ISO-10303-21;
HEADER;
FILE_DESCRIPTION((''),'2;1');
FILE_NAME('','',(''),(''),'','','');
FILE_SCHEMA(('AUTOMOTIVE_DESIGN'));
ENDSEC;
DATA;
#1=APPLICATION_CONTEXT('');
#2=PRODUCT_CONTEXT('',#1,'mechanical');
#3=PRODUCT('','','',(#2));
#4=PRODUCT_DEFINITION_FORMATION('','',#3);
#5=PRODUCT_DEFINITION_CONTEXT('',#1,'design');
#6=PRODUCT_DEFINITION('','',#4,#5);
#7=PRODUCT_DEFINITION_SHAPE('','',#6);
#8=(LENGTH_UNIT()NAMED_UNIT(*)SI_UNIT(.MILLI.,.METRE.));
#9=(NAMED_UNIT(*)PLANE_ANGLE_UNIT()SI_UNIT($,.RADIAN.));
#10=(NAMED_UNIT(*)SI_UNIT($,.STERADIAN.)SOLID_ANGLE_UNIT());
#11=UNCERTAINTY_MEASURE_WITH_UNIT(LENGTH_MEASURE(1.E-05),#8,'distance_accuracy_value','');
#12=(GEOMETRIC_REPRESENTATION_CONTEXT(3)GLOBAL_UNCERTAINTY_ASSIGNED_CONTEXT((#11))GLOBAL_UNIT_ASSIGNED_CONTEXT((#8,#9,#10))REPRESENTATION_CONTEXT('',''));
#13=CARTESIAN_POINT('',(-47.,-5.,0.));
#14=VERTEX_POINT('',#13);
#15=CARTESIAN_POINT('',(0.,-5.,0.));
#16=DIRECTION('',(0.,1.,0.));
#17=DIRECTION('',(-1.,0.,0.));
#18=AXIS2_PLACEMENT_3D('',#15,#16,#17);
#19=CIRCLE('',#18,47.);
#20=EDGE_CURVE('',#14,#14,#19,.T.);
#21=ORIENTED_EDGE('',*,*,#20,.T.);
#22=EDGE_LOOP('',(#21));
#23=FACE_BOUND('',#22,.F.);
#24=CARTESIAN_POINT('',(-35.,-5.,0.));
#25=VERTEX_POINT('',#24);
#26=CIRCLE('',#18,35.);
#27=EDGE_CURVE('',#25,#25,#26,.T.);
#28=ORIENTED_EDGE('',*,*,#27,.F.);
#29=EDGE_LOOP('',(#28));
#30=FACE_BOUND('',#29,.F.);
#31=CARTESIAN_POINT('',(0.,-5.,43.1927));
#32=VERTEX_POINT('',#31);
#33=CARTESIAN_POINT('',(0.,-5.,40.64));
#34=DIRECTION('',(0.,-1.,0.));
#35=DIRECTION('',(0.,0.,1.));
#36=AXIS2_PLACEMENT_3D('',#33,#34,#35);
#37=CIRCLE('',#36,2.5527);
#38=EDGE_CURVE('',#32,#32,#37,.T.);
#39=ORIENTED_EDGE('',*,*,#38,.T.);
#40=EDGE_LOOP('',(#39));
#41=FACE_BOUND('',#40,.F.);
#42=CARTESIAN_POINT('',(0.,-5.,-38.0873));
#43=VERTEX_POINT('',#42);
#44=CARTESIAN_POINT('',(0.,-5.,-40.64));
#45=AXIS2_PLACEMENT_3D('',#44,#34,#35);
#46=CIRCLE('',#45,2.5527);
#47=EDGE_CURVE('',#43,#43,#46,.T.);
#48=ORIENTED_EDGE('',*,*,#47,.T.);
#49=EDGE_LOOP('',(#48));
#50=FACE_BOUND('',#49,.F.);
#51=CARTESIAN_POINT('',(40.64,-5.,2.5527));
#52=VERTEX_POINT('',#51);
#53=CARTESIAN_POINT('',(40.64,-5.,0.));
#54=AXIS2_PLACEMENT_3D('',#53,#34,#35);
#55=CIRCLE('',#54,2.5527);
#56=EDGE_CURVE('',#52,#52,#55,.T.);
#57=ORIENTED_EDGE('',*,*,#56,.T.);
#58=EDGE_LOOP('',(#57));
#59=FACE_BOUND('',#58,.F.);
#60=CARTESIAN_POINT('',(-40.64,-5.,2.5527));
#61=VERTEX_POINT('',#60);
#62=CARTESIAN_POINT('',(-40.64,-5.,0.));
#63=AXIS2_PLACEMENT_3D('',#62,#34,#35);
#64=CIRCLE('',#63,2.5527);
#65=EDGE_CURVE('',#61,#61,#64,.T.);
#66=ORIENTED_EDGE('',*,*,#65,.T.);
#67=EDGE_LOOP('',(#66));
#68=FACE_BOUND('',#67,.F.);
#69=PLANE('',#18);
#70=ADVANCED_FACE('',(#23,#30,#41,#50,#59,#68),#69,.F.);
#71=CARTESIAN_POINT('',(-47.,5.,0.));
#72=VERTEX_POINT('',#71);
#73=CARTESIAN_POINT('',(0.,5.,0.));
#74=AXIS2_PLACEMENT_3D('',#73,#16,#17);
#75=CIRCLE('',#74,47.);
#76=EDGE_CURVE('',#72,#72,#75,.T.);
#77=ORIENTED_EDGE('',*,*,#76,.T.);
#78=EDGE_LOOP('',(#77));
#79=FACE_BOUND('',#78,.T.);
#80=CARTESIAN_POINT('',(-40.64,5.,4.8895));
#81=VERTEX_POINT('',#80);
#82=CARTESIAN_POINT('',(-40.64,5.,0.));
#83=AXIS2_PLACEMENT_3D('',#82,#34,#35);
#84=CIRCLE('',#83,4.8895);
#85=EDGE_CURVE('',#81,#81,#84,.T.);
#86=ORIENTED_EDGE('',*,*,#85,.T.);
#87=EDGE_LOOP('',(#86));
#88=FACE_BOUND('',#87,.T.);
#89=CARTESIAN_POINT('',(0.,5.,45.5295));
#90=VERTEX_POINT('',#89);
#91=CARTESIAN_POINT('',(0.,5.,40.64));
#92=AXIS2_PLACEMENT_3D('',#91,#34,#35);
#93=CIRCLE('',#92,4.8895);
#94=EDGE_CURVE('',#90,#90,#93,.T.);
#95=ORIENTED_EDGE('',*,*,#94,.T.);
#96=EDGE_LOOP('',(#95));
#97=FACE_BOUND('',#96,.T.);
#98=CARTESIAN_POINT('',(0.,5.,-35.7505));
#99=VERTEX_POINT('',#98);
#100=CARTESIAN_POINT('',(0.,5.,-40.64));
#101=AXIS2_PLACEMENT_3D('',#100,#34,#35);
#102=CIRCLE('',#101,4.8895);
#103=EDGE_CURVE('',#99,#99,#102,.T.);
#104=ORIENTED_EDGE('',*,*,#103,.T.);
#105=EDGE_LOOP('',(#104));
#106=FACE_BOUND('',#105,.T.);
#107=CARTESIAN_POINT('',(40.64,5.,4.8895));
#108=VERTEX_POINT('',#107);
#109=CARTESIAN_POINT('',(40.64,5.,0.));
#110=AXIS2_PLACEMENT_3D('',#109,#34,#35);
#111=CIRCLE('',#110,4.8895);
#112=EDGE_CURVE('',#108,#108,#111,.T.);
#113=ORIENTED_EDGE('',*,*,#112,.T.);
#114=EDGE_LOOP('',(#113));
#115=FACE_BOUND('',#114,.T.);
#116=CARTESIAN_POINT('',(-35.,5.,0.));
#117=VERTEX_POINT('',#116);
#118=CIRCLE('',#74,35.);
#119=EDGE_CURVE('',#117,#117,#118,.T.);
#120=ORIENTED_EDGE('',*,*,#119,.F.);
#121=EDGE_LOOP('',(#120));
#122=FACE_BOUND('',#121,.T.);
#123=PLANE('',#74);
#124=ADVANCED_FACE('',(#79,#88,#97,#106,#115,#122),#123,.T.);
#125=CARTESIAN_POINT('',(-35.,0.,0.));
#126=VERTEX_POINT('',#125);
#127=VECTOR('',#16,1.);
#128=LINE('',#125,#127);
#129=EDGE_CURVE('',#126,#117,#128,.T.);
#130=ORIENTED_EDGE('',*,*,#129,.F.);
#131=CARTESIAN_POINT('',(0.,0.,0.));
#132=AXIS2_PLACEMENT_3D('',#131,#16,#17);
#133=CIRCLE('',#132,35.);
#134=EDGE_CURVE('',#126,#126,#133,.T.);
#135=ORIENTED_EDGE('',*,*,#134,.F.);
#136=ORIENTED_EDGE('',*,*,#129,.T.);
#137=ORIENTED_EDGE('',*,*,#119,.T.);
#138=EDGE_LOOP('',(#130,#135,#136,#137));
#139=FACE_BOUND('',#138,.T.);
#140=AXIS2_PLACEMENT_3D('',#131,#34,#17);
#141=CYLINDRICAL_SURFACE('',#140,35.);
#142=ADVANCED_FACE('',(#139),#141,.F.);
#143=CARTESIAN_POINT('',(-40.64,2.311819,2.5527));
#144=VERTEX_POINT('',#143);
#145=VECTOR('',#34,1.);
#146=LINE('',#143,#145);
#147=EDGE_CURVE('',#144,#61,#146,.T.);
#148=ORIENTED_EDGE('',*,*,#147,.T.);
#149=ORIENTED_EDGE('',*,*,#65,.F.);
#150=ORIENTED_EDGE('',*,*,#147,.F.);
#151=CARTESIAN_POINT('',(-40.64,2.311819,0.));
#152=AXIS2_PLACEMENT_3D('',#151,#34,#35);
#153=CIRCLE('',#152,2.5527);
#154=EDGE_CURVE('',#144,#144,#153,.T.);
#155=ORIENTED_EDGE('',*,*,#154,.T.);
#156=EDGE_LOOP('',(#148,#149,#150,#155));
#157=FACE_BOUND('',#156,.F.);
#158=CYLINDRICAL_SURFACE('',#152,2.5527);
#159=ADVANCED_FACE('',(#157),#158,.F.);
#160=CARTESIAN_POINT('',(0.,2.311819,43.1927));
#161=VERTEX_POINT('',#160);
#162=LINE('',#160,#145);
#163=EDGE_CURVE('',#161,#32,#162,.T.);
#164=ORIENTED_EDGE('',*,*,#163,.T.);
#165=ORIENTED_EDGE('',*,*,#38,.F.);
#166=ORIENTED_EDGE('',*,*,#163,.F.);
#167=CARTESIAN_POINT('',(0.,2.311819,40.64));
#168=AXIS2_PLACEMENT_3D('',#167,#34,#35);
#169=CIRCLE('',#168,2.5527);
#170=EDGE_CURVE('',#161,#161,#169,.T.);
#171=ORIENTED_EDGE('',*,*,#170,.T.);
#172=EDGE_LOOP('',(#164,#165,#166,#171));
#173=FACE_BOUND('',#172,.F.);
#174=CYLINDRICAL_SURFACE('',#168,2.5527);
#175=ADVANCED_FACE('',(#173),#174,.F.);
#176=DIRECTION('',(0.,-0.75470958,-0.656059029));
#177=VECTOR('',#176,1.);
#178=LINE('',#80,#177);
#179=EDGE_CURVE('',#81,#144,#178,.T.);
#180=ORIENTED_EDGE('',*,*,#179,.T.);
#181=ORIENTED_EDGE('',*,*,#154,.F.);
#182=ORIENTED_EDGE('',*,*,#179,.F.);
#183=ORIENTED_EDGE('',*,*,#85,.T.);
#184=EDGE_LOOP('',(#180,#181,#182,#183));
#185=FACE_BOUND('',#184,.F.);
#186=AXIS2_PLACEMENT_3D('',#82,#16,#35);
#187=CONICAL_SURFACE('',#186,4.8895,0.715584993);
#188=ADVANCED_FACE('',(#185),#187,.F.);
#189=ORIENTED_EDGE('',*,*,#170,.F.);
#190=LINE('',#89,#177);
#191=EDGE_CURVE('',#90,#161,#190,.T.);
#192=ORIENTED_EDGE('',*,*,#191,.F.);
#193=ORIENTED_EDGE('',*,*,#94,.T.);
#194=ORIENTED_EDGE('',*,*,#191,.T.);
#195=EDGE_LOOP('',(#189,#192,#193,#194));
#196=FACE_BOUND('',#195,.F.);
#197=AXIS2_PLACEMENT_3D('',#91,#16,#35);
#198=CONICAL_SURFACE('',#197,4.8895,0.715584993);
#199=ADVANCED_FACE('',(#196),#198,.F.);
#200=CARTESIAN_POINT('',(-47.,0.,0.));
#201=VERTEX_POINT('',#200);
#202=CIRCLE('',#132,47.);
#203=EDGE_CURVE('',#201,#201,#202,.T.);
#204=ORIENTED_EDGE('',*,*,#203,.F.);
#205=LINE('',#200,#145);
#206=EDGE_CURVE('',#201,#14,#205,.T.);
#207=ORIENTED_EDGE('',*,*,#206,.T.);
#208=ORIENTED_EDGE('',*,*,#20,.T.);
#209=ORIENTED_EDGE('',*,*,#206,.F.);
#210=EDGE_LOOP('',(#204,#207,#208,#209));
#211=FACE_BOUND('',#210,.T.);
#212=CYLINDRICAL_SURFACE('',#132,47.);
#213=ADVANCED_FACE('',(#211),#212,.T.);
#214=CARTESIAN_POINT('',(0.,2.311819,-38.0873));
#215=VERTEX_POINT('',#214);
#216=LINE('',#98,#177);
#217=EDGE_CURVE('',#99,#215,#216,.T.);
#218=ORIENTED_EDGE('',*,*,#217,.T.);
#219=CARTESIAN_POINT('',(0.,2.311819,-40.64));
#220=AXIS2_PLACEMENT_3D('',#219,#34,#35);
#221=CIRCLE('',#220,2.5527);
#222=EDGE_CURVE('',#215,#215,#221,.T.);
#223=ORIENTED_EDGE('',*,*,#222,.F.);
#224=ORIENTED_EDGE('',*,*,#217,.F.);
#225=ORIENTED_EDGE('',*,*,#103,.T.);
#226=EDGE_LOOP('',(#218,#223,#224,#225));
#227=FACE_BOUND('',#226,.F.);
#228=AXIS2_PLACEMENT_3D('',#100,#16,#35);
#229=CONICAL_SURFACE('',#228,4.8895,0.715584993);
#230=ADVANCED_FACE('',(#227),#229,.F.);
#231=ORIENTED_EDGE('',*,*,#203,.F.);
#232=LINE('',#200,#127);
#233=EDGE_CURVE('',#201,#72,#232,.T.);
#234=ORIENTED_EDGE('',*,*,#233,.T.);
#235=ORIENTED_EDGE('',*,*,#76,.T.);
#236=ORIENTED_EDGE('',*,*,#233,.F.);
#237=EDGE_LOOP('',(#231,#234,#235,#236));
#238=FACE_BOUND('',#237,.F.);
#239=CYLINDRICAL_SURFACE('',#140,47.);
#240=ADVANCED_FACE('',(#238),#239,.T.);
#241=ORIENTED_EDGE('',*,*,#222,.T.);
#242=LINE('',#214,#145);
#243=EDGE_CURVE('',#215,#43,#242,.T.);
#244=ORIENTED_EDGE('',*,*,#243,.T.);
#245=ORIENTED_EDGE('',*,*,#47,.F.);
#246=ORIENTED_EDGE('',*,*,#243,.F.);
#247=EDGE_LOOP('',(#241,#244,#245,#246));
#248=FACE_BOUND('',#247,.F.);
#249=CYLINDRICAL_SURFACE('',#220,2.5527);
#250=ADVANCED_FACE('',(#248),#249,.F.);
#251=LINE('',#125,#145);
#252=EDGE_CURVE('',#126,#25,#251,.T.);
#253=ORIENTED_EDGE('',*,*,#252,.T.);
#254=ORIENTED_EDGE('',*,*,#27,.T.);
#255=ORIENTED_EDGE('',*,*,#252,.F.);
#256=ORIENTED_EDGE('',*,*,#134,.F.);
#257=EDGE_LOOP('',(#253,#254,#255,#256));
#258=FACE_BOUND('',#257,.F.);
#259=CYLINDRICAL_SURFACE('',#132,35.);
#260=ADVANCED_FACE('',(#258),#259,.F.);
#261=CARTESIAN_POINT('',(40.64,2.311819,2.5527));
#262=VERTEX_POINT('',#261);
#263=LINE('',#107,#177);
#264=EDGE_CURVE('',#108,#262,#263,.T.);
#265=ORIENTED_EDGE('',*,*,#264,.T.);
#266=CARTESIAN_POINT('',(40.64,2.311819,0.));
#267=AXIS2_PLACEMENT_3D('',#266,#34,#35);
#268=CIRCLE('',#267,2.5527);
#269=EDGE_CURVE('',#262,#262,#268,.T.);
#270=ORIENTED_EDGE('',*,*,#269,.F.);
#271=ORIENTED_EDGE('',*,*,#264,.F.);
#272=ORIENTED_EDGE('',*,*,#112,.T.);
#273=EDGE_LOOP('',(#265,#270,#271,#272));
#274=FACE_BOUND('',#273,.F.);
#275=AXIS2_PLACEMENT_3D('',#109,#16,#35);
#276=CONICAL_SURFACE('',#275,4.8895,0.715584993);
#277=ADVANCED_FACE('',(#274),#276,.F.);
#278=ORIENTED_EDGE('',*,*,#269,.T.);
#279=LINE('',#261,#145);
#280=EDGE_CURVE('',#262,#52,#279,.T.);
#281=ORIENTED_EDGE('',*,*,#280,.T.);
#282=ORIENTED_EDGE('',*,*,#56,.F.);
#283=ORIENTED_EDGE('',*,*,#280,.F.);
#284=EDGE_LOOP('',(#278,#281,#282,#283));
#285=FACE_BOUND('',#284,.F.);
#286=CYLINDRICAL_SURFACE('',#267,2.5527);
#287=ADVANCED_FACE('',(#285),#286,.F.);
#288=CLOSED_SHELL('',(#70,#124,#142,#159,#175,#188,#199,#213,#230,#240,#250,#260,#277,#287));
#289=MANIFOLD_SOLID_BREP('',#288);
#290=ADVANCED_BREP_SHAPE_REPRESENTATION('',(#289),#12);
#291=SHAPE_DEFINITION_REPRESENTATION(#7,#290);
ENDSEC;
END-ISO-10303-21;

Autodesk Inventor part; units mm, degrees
ref_plane "YZ Plane" through (0, 0, 0) normal (1, 0, 0) x (0, 1, 0)
ref_plane "XZ Plane" through (0, 0, 0) normal (0, 1, 0) x (-1, 0, 0)
ref_plane "XY Plane" through (0, 0, 0) normal (0, 0, 1) x (1, 0, 0)
sketch "Sketch1" plane through (0, 0, 0) normal (0, 1, 0) x (-1, 0, 0)
  circle A0 centre (0, 0) radius 35
  circle A1 centre (0, 0) radius 47
  circle A2 centre (0, 0) radius 60 construction
  line L0 (0, -35) -> (0, -60) construction
  point P0 (0, -47.5)
  dimension "d0" = 70
  dimension "d1" = 120
  dimension "d15" = 12
extrude "Extrusion1" add sketch "Sketch1" along normal mid plane 10
sketch "Sketch2" plane through (0, 5, 0) normal (0, 1, 0) x (1, 0, 0)
  circle A0 centre (0, 0) radius 35 construction
  circle A1 centre (0, 0) radius 47 construction
  circle A2 centre (0, 0) radius 40.64 construction
  circle A3 centre (0, 0) radius 35 construction
  circle A4 centre (0, 0) radius 47 construction
  circle A5 centre (0, 0) radius 40.64
  point P0 (0, 40.64)
  point P1 (0, 40.64)
  point P2 (-40.64, 0)
  point P3 (0, -40.64)
  point P4 (40.64, 0)
  point P5 (0, 40.64)
  point P6 (-40.64, 0)
  point P7 (0, -40.64)
  point P8 (40.64, 0)
  dimension "d20" = 81.28
  dimension "d18" = 360
  dimension "d23" = 360
hole "Hole1" at (0, 5, -40.64) at (-40.64, 5, 0) at (40.64, 5, 0) at (0, 5, 40.64) direction (0, -1, 0) diameter 5.1054 end through all countersink diameter 9.779 countersink angle 82 clearance for "Flat Head Machine Screw (82)" size "#10" standard "Ansi Unified Screw Threads"
properties part number "4in LS-001" material "Aluminum 6061"
